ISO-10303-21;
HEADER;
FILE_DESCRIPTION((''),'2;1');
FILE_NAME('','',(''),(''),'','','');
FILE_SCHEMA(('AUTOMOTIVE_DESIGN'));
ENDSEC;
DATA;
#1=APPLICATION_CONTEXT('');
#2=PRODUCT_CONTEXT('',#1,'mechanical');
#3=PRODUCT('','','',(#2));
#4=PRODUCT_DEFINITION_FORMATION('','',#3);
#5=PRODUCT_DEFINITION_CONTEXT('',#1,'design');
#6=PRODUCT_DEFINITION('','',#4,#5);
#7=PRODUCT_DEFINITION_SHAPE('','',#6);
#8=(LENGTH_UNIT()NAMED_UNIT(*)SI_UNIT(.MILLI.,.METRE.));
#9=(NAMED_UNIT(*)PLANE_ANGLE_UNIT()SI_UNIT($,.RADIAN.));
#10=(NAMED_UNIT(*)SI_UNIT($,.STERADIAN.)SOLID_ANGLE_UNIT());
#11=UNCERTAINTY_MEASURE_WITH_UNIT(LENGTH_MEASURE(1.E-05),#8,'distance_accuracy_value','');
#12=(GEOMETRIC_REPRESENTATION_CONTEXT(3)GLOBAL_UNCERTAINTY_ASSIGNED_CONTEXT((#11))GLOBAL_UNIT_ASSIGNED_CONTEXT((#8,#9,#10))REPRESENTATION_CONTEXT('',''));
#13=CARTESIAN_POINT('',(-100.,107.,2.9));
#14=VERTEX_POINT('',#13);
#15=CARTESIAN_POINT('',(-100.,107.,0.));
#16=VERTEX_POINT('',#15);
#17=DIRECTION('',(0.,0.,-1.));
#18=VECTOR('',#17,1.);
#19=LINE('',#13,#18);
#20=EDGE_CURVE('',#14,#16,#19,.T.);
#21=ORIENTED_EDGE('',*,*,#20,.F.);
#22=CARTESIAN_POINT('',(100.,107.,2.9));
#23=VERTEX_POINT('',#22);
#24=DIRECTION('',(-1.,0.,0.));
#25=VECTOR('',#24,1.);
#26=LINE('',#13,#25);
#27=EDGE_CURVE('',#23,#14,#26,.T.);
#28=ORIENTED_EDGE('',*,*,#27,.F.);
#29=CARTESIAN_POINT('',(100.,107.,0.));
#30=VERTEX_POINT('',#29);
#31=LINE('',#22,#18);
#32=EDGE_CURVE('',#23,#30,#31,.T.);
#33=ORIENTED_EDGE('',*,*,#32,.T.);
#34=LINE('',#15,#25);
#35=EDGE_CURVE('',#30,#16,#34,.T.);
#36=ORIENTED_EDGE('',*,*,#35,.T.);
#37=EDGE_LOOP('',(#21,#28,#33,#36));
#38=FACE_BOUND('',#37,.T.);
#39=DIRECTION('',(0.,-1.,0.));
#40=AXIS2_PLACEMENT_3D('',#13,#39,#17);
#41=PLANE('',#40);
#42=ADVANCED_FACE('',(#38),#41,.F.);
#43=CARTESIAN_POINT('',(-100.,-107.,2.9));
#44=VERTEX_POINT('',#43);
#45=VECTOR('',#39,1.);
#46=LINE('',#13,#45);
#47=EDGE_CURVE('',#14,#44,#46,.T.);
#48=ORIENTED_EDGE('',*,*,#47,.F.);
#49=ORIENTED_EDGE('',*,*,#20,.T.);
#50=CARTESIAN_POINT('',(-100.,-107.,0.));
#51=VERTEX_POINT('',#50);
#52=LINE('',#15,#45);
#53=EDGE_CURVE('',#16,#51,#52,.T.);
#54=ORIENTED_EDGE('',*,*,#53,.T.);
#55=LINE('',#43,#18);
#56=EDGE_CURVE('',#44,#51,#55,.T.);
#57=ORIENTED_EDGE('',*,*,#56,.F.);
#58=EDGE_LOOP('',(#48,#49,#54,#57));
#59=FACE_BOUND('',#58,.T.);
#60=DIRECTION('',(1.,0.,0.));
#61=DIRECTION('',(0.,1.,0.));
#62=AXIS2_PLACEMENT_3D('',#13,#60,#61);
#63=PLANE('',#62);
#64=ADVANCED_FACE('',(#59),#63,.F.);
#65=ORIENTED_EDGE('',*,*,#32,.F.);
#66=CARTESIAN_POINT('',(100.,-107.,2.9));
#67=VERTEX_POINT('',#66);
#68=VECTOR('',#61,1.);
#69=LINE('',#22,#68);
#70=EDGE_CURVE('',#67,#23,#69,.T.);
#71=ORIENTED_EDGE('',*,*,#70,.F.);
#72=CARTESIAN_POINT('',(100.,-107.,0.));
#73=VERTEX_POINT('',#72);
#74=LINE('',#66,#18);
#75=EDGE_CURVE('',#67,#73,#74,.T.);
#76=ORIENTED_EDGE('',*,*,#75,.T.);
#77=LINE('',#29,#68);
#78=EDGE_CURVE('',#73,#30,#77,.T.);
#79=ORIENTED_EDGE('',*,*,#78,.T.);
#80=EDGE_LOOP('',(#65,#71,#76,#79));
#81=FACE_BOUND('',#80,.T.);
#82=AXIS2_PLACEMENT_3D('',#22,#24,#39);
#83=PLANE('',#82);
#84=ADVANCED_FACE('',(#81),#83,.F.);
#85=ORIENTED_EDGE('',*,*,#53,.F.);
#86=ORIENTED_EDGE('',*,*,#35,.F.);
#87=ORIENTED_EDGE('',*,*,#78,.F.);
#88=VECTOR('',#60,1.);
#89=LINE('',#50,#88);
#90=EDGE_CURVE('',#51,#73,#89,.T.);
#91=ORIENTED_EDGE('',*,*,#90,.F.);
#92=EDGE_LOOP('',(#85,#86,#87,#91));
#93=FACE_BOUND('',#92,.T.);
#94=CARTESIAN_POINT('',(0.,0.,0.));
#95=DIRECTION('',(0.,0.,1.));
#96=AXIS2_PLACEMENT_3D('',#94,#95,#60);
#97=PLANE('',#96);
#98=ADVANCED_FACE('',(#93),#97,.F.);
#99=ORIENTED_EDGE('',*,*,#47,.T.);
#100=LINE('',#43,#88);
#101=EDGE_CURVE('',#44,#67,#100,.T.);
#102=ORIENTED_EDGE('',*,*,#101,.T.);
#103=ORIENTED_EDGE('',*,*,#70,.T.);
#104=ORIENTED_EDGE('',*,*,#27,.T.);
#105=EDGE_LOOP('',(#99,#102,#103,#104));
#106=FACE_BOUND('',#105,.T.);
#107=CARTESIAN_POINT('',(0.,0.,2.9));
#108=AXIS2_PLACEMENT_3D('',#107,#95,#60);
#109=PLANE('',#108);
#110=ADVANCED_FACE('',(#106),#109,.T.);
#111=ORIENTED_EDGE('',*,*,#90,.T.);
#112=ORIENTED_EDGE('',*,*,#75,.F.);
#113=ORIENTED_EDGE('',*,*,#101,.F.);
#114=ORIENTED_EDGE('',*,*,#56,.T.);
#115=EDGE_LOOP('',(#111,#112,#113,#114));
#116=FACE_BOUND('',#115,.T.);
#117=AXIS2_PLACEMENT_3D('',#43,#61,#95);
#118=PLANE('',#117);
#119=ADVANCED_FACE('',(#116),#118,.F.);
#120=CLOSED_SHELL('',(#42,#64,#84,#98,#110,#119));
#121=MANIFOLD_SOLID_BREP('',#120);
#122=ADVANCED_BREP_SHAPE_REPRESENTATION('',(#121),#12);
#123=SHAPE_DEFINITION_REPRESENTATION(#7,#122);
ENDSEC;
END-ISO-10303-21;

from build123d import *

# Parameters (mm, degrees)
ESBO_O1_W                = 200
ESBO_O1_H                = 214
RESSALTO_EXTRUS_O1_DEPTH = 2.9


with BuildPart() as part:
    # Esboço1 → Ressalto-extrusão1 (new body)
    with BuildSketch(Plane.XY):
        Rectangle(ESBO_O1_W, ESBO_O1_H)
    extrude(amount=RESSALTO_EXTRUS_O1_DEPTH)


solid = part.part
